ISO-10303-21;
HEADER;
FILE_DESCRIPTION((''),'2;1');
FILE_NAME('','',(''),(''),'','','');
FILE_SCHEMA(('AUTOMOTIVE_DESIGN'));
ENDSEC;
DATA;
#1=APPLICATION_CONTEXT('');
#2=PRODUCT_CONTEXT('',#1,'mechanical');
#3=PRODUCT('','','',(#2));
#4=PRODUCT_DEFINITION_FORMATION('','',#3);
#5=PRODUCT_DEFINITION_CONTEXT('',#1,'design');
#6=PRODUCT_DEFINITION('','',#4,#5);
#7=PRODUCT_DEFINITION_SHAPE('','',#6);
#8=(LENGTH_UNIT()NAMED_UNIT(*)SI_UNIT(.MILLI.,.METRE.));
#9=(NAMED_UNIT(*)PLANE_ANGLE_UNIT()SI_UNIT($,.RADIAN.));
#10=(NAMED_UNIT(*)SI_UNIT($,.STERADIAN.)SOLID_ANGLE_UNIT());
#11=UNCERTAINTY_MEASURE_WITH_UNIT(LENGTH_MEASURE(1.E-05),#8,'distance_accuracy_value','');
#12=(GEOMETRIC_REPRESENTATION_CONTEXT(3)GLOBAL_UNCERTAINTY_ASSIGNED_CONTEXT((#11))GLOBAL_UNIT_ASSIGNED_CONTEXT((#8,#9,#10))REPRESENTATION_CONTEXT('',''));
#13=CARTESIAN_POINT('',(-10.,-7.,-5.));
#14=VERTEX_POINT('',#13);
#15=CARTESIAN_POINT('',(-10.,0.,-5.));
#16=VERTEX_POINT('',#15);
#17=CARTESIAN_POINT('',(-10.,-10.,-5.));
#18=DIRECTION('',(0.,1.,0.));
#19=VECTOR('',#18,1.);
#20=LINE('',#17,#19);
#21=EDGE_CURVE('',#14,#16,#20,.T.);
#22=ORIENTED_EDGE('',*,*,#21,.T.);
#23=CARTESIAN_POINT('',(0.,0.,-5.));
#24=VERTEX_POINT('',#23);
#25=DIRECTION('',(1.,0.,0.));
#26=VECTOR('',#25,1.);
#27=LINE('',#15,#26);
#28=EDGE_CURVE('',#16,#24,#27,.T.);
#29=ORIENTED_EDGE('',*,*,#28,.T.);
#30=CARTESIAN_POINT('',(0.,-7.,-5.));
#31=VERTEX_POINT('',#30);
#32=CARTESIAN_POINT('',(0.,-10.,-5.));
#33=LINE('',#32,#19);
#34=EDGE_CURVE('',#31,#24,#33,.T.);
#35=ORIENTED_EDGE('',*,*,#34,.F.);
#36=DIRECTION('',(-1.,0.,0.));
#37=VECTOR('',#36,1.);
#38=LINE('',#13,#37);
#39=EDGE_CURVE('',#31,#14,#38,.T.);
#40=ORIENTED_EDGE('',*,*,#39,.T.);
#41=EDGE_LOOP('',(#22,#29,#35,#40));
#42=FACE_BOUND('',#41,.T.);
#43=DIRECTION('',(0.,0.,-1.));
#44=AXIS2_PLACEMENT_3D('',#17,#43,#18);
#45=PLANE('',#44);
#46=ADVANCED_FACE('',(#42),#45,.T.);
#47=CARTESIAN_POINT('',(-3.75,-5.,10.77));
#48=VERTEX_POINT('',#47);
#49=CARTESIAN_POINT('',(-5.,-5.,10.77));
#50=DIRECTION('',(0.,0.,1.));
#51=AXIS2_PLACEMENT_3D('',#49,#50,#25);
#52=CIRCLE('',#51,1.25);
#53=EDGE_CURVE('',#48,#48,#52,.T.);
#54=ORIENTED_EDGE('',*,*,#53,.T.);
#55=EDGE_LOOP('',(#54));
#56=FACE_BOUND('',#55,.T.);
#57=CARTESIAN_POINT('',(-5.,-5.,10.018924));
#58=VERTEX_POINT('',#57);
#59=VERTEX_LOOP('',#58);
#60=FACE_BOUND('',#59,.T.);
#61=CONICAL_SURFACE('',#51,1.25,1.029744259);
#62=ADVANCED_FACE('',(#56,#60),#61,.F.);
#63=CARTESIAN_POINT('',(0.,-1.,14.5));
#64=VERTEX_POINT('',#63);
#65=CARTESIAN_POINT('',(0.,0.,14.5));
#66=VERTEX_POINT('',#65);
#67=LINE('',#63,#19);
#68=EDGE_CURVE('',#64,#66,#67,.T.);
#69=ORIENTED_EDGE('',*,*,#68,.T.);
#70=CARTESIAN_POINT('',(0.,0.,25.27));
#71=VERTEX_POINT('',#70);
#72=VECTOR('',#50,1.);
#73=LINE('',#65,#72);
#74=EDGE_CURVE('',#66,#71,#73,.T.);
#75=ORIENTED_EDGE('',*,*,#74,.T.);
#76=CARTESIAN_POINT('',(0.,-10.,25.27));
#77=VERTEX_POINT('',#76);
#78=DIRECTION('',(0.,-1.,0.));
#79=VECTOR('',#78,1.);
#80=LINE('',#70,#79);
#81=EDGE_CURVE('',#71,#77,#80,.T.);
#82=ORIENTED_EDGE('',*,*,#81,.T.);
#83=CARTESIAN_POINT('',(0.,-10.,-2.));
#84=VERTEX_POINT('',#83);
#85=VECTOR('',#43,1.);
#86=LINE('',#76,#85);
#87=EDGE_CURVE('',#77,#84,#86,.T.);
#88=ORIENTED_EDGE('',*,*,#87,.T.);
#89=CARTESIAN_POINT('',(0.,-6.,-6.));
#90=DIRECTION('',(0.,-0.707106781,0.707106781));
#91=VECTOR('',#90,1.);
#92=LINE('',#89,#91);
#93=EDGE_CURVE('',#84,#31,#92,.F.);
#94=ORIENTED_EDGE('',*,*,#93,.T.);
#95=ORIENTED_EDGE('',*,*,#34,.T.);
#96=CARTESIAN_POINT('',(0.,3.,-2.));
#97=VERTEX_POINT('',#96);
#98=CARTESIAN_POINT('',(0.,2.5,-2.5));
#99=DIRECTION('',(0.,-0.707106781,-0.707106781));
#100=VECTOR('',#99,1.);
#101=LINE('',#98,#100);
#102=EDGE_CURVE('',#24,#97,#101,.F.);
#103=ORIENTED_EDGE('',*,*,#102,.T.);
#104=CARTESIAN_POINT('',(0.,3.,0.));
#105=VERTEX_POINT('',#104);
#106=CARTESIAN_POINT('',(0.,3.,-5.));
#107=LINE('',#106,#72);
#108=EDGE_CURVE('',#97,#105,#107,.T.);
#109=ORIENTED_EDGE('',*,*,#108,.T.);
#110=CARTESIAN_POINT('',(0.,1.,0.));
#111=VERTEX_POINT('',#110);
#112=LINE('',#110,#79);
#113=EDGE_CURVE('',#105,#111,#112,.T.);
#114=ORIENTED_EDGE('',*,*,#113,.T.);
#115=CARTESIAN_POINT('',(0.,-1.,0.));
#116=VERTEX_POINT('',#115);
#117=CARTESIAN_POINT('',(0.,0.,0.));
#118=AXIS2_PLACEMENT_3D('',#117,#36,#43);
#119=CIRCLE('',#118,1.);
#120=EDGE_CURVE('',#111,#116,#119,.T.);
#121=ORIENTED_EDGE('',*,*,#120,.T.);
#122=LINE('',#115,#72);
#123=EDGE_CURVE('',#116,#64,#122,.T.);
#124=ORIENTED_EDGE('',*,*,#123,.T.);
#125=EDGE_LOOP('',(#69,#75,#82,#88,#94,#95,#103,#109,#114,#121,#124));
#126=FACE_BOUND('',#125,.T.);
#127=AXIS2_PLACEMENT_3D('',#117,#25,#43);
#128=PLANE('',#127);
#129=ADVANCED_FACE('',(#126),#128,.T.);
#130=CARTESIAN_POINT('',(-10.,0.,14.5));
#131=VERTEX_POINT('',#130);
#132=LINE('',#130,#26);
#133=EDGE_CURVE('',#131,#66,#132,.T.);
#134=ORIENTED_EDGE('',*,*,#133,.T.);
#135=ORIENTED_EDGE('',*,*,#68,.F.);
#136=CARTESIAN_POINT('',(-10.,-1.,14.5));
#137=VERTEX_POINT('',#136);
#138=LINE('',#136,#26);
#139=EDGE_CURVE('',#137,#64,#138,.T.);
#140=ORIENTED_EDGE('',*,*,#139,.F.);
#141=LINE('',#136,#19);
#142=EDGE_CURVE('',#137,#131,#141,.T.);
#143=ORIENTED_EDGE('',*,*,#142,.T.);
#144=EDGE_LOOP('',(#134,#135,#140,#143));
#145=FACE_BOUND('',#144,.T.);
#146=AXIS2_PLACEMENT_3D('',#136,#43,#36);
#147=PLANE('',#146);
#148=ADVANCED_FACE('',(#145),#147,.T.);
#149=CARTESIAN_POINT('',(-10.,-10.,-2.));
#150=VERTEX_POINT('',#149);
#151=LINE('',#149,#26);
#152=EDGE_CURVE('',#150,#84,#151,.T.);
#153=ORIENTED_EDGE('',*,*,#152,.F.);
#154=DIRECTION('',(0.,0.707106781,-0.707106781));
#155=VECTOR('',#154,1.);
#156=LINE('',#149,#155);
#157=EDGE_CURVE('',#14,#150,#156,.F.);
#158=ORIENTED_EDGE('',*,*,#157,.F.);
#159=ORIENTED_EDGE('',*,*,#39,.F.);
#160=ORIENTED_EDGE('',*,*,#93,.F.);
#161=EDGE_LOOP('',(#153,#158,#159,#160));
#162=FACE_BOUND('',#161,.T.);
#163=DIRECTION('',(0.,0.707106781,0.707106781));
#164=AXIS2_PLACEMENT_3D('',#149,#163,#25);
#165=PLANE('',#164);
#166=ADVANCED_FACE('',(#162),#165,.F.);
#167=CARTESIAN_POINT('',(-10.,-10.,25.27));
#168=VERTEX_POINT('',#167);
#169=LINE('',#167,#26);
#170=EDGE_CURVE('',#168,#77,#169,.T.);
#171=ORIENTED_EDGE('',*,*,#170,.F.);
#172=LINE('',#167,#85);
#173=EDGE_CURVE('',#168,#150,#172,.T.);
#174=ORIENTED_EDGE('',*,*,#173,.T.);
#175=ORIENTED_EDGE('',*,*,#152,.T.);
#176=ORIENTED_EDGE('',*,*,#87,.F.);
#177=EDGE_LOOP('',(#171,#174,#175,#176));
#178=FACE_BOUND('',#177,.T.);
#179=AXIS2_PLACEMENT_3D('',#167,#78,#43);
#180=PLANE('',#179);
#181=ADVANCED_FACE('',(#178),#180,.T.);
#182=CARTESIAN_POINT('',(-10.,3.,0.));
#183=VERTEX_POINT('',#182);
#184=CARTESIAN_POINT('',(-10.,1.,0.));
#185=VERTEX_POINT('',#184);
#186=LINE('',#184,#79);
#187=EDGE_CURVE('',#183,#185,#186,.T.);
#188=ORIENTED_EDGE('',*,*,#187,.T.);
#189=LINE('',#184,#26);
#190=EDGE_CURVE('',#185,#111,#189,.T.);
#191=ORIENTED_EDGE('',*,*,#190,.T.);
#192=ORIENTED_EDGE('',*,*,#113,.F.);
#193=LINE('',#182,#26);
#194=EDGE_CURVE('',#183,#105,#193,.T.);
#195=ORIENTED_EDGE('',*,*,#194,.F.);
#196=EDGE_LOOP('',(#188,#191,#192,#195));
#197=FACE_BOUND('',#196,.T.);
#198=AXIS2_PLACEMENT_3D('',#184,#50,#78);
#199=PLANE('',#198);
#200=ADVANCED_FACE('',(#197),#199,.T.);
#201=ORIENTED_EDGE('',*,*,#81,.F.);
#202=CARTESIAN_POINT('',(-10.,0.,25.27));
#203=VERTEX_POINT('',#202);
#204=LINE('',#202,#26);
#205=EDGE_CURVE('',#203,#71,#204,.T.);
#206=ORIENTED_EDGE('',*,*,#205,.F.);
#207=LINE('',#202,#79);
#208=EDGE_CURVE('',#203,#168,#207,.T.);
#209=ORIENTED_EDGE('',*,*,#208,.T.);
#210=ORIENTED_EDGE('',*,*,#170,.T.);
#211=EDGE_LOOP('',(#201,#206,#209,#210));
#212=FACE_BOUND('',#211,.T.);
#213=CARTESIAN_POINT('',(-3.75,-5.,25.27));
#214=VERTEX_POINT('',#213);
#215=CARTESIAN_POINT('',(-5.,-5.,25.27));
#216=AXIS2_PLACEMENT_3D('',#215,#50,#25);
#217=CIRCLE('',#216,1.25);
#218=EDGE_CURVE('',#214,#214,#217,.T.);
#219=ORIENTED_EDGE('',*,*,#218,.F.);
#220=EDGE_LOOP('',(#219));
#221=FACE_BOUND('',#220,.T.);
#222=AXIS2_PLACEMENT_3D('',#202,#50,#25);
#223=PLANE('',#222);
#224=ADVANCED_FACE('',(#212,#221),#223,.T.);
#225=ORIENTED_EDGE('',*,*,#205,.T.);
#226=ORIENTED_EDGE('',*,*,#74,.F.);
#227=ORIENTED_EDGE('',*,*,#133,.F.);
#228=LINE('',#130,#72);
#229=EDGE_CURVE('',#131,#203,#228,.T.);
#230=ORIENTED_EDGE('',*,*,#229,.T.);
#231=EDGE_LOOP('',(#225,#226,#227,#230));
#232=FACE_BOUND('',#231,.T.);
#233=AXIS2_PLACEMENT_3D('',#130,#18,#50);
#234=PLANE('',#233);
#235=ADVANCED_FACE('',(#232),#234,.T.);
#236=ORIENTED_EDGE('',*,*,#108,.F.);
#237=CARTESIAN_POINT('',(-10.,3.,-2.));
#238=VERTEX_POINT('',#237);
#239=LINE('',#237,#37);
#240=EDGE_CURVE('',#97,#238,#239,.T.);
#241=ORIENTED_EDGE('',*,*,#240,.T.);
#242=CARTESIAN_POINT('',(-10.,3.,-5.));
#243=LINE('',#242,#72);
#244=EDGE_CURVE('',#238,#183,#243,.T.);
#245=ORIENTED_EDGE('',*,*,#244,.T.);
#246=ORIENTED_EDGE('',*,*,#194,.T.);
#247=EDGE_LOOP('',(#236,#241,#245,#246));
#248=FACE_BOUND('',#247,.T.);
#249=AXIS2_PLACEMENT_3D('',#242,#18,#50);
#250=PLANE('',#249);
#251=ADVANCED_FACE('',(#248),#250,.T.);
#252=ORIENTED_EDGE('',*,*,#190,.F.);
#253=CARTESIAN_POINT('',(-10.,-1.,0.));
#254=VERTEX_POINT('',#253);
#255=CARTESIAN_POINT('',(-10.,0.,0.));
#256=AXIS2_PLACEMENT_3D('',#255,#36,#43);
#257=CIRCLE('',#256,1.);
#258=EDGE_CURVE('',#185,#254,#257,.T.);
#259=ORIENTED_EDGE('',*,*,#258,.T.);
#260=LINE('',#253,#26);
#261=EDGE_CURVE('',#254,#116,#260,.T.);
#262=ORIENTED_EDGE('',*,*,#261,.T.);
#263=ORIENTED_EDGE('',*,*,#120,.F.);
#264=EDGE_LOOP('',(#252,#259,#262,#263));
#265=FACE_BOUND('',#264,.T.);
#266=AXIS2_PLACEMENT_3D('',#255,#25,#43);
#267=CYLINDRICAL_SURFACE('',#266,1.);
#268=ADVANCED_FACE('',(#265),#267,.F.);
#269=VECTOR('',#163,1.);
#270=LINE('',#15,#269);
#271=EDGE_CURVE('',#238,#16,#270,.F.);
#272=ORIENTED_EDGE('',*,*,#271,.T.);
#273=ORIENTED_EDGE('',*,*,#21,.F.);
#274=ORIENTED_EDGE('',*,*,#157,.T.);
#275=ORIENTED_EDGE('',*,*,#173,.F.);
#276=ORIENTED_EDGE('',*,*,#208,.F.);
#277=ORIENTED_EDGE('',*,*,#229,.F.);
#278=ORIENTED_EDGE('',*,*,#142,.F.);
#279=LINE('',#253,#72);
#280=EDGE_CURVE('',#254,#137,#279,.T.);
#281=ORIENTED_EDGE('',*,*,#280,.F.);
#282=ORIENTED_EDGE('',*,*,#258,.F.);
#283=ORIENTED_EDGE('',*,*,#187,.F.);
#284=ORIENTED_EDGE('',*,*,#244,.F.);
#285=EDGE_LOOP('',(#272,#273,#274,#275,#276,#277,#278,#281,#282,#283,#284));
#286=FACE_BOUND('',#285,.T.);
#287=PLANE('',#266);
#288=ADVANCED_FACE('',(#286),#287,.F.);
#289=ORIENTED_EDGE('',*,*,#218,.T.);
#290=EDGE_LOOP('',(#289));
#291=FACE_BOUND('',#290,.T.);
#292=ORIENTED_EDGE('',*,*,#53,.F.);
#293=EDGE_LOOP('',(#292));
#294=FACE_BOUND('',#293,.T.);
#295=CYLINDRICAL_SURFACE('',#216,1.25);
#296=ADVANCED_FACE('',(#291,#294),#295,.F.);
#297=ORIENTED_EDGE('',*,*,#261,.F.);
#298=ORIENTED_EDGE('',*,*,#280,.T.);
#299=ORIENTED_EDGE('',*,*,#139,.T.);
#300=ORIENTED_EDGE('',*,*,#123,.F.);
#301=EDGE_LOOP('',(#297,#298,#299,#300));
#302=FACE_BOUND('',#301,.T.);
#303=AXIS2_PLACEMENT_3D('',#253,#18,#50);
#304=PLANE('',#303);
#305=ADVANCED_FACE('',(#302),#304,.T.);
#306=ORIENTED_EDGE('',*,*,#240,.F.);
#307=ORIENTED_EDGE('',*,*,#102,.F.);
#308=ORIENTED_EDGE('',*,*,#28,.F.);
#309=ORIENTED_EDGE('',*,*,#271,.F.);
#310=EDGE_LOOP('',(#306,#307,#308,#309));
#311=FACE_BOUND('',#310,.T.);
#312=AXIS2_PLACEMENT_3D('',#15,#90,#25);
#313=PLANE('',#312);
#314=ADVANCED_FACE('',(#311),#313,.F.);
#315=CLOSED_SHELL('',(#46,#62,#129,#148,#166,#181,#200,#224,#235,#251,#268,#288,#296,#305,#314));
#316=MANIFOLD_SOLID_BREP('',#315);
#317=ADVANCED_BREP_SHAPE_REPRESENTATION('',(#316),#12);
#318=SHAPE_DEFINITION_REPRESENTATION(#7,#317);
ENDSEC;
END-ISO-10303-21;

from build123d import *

# Parameters (mm, degrees)
BOSS_EXTRUDE1_DEPTH       = 10
CHAMFER1_SIZE             = 3
M3X0_5_TAPPED_HOLE1_D     = 2.5
M3X0_5_TAPPED_HOLE1_DEPTH = 14.5
M3X0_5_TAPPED_HOLE1_TIP   = 0.751075774


with BuildPart() as part:
    # Sketch1 → Boss-Extrude1 (new body)
    with BuildSketch(Plane(origin=(0, 0, 0), x_dir=(0, 0, -1), z_dir=(1, 0, 0))):
        with BuildLine():
            Line((0, 1), (0, 3))
            Line((0, 3), (5, 3))
            Line((5, 3), (5, -10))
            Line((5, -10), (-25.27, -10))
            Line((-25.27, -10), (-25.27, 0))
            Line((-25.27, 0), (-14.5, 0))
            Line((-14.5, 0), (-14.5, -1))
            Line((-14.5, -1), (0, -1))
            ThreePointArc((0, -1), (1, 0), (0, 1))
        make_face()
    extrude(amount=-BOSS_EXTRUDE1_DEPTH)

    # Chamfer1
    chamfer1_edges = [part.edges().sort_by_distance(p)[0] for p in [
        (-5, 3, -5),
        (-5, -10, -5),
    ]]
    chamfer(chamfer1_edges, length=CHAMFER1_SIZE)

    # M3x0.5 Tapped Hole1
    with Locations(Plane(origin=(-5, -5, 25.27), x_dir=(1, 0, 0), z_dir=(0, 0, 1))):
        with Locations((0, 0)):
            Hole(M3X0_5_TAPPED_HOLE1_D / 2, depth=M3X0_5_TAPPED_HOLE1_DEPTH)
            with Locations((0, 0, -(M3X0_5_TAPPED_HOLE1_DEPTH + M3X0_5_TAPPED_HOLE1_TIP / 2))):  # 118° drill point
                Cone(0, M3X0_5_TAPPED_HOLE1_D / 2, M3X0_5_TAPPED_HOLE1_TIP, mode=Mode.SUBTRACT)


solid = part.part
